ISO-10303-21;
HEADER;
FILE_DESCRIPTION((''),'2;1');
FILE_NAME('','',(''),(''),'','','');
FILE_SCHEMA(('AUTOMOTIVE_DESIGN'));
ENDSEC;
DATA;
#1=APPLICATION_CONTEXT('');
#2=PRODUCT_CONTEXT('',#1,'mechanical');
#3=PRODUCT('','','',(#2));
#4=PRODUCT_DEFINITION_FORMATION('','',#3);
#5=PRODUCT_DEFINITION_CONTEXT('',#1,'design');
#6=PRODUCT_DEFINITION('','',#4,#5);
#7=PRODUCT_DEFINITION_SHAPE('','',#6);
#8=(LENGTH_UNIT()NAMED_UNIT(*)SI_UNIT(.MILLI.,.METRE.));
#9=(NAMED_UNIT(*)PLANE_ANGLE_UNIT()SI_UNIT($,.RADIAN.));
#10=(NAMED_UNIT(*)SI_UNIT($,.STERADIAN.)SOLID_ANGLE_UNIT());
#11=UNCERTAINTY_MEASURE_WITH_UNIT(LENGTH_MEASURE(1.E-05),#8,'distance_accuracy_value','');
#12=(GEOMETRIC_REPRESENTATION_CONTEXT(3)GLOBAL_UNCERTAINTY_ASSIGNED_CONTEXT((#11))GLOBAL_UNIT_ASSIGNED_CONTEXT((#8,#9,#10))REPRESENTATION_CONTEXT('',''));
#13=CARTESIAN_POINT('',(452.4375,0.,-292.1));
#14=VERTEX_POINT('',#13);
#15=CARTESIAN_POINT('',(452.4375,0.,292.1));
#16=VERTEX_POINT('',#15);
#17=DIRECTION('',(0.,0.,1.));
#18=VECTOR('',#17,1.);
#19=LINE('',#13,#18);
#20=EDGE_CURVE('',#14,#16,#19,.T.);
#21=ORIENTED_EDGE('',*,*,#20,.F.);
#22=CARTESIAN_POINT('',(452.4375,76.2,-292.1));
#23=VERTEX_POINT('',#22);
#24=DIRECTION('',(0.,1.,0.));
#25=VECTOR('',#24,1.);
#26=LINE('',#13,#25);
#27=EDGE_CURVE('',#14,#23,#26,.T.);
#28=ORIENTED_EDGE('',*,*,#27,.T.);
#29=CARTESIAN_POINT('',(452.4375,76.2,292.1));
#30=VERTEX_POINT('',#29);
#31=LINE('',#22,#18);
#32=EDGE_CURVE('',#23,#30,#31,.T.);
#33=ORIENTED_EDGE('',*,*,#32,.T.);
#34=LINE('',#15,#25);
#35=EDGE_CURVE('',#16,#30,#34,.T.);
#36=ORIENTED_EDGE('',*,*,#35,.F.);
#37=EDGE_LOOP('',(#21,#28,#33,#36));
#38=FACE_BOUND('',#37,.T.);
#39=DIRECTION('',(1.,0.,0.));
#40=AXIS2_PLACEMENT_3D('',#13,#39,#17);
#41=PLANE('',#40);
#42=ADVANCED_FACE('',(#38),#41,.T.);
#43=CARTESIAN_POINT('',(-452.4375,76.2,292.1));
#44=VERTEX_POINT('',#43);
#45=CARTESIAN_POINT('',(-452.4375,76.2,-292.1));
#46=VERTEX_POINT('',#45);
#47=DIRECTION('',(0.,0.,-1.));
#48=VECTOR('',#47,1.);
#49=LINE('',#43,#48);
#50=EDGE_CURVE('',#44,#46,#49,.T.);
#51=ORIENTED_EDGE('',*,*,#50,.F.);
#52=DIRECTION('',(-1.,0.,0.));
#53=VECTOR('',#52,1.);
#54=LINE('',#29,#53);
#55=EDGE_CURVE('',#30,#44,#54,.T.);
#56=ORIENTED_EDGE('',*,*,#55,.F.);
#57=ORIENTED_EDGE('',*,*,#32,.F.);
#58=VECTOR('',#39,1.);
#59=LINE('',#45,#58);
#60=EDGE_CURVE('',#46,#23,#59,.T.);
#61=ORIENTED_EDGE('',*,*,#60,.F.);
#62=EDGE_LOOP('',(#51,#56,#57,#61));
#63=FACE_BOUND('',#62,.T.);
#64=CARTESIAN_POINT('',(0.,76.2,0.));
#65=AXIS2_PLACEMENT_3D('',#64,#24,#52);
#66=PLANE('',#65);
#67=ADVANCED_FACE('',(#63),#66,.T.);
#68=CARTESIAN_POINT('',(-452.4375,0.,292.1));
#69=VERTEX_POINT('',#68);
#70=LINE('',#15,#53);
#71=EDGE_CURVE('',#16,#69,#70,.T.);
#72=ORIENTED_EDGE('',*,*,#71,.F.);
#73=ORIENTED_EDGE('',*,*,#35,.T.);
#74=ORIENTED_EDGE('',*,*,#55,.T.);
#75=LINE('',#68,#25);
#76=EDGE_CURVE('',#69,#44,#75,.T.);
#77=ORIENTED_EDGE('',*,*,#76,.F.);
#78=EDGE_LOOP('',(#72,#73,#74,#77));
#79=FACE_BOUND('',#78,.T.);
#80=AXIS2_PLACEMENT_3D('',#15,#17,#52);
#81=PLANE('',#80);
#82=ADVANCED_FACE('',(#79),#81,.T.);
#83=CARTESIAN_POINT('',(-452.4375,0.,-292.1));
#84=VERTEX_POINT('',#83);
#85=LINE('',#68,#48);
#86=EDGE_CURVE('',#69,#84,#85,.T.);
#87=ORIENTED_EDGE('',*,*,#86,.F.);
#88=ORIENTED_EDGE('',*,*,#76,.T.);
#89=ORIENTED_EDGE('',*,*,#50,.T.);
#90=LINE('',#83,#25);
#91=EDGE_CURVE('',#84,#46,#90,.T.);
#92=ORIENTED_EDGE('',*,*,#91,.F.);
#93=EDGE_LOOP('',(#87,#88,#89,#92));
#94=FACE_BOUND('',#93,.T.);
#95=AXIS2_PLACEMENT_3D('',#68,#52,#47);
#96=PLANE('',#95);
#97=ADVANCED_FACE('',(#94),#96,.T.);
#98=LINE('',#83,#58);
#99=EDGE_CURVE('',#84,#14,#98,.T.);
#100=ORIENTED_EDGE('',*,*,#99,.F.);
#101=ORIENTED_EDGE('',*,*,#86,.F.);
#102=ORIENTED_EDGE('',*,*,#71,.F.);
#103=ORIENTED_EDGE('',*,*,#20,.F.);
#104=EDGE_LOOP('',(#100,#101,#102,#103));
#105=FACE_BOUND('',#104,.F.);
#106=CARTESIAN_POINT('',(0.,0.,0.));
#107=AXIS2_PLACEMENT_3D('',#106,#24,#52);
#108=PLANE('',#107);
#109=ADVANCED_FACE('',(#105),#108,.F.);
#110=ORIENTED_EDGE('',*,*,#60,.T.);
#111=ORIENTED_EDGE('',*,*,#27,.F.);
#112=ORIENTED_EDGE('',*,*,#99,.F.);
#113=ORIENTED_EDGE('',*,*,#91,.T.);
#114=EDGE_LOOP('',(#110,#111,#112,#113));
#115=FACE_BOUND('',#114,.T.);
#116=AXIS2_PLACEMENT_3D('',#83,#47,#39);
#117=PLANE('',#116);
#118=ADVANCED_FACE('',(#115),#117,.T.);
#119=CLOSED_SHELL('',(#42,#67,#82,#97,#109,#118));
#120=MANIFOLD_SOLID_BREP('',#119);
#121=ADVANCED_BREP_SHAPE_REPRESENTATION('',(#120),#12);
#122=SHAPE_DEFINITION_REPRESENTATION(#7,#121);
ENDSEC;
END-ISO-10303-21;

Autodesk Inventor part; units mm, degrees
ref_plane "YZ Plane" through (0, 0, 0) normal (1, 0, 0) x (0, 1, 0)
ref_plane "XZ Plane" through (0, 0, 0) normal (0, 1, 0) x (-1, 0, 0)
ref_plane "XY Plane" through (0, 0, 0) normal (0, 0, 1) x (1, 0, 0)
sketch "Sketch1" plane through (0, 0, 0) normal (0, 1, 0) x (-1, 0, 0)
  line L0 (452.4375, -292.1) -> (-452.4375, -292.1)
  line L1 (-452.4375, -292.1) -> (-452.4375, 292.1)
  line L2 (-452.4375, 292.1) -> (452.4375, 292.1)
  line L3 (452.4375, 292.1) -> (452.4375, -292.1)
  line L4 (452.4375, -292.1) -> (-452.4375, 292.1) construction
  line L5 (-452.4375, -292.1) -> (452.4375, 292.1) construction
  point P0 (0, 0)
  dimension "d0" = 904.875
  dimension "d1" = 584.2
extrude "Extrusion1" add sketch "Sketch1" along normal blind 76.2
properties part number "17 - soffit - 43" material "Granite, Cut, Polished"
